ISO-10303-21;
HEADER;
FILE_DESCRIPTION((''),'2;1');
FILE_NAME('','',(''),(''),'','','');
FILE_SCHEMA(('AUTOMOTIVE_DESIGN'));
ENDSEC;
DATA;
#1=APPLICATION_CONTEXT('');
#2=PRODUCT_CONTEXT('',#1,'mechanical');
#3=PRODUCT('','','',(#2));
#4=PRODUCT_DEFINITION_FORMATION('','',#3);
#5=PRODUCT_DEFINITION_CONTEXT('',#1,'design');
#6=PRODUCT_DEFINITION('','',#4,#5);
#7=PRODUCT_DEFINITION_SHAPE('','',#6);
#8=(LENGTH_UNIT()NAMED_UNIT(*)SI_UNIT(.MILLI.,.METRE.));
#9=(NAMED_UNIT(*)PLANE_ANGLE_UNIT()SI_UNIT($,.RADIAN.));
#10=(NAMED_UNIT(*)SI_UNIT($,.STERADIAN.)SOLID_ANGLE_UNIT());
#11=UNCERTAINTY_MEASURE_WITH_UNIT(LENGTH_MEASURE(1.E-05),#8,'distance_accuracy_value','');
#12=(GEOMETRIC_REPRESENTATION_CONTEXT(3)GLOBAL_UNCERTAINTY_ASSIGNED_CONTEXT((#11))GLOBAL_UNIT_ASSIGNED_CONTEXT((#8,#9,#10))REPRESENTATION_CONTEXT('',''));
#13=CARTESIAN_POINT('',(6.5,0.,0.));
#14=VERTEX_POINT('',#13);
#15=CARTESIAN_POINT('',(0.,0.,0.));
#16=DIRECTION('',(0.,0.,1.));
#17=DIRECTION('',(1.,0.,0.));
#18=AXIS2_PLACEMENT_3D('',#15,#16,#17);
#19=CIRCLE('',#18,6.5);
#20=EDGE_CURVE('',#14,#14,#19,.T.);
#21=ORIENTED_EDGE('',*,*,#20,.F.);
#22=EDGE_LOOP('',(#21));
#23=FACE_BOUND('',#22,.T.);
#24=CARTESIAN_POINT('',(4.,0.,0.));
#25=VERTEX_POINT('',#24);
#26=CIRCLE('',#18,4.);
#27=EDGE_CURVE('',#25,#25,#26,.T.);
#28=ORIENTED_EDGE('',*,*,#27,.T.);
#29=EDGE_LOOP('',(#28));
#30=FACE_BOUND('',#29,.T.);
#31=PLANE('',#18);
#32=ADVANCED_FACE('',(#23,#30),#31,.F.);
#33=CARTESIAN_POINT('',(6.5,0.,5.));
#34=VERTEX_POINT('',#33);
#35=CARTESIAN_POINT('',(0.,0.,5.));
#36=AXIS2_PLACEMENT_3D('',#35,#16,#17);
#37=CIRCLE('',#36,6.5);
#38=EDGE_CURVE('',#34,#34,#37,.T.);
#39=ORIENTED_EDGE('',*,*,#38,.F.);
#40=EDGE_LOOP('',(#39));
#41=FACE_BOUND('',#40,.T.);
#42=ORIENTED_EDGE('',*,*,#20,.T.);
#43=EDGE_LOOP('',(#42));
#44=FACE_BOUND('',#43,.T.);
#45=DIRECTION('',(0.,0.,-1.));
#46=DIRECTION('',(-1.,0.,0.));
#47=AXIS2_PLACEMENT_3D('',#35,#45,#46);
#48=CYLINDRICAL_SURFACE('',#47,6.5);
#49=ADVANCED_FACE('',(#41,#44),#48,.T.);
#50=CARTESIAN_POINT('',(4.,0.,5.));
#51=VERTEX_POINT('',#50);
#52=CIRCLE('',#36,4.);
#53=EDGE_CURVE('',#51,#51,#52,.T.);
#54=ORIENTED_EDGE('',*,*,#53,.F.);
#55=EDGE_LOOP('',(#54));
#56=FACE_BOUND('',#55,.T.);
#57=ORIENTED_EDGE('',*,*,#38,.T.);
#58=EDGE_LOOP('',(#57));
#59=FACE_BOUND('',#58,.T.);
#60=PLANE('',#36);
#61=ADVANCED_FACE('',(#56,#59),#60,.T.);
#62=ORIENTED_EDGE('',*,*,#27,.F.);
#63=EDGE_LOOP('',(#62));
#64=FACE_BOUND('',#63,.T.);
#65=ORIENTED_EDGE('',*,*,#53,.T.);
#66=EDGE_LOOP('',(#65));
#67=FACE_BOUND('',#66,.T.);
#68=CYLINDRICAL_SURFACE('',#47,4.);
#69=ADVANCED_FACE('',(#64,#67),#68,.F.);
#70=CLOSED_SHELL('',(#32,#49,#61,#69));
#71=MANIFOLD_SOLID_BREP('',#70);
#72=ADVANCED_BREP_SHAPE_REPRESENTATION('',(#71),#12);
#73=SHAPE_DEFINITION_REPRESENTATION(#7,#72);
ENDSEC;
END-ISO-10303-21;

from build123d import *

# Parameters (mm, degrees)
SKETCH_1_R      = 6.5
SKETCH_1_R_2    = 4
EXTRUDE_1_DEPTH = 5


with BuildPart() as part:
    # Эскиз1 → Бобышка-Вытянуть1 (new body)
    with BuildSketch(Plane.XY):
        Circle(SKETCH_1_R)
        Circle(SKETCH_1_R_2, mode=Mode.SUBTRACT)
    extrude(amount=EXTRUDE_1_DEPTH)


solid = part.part
